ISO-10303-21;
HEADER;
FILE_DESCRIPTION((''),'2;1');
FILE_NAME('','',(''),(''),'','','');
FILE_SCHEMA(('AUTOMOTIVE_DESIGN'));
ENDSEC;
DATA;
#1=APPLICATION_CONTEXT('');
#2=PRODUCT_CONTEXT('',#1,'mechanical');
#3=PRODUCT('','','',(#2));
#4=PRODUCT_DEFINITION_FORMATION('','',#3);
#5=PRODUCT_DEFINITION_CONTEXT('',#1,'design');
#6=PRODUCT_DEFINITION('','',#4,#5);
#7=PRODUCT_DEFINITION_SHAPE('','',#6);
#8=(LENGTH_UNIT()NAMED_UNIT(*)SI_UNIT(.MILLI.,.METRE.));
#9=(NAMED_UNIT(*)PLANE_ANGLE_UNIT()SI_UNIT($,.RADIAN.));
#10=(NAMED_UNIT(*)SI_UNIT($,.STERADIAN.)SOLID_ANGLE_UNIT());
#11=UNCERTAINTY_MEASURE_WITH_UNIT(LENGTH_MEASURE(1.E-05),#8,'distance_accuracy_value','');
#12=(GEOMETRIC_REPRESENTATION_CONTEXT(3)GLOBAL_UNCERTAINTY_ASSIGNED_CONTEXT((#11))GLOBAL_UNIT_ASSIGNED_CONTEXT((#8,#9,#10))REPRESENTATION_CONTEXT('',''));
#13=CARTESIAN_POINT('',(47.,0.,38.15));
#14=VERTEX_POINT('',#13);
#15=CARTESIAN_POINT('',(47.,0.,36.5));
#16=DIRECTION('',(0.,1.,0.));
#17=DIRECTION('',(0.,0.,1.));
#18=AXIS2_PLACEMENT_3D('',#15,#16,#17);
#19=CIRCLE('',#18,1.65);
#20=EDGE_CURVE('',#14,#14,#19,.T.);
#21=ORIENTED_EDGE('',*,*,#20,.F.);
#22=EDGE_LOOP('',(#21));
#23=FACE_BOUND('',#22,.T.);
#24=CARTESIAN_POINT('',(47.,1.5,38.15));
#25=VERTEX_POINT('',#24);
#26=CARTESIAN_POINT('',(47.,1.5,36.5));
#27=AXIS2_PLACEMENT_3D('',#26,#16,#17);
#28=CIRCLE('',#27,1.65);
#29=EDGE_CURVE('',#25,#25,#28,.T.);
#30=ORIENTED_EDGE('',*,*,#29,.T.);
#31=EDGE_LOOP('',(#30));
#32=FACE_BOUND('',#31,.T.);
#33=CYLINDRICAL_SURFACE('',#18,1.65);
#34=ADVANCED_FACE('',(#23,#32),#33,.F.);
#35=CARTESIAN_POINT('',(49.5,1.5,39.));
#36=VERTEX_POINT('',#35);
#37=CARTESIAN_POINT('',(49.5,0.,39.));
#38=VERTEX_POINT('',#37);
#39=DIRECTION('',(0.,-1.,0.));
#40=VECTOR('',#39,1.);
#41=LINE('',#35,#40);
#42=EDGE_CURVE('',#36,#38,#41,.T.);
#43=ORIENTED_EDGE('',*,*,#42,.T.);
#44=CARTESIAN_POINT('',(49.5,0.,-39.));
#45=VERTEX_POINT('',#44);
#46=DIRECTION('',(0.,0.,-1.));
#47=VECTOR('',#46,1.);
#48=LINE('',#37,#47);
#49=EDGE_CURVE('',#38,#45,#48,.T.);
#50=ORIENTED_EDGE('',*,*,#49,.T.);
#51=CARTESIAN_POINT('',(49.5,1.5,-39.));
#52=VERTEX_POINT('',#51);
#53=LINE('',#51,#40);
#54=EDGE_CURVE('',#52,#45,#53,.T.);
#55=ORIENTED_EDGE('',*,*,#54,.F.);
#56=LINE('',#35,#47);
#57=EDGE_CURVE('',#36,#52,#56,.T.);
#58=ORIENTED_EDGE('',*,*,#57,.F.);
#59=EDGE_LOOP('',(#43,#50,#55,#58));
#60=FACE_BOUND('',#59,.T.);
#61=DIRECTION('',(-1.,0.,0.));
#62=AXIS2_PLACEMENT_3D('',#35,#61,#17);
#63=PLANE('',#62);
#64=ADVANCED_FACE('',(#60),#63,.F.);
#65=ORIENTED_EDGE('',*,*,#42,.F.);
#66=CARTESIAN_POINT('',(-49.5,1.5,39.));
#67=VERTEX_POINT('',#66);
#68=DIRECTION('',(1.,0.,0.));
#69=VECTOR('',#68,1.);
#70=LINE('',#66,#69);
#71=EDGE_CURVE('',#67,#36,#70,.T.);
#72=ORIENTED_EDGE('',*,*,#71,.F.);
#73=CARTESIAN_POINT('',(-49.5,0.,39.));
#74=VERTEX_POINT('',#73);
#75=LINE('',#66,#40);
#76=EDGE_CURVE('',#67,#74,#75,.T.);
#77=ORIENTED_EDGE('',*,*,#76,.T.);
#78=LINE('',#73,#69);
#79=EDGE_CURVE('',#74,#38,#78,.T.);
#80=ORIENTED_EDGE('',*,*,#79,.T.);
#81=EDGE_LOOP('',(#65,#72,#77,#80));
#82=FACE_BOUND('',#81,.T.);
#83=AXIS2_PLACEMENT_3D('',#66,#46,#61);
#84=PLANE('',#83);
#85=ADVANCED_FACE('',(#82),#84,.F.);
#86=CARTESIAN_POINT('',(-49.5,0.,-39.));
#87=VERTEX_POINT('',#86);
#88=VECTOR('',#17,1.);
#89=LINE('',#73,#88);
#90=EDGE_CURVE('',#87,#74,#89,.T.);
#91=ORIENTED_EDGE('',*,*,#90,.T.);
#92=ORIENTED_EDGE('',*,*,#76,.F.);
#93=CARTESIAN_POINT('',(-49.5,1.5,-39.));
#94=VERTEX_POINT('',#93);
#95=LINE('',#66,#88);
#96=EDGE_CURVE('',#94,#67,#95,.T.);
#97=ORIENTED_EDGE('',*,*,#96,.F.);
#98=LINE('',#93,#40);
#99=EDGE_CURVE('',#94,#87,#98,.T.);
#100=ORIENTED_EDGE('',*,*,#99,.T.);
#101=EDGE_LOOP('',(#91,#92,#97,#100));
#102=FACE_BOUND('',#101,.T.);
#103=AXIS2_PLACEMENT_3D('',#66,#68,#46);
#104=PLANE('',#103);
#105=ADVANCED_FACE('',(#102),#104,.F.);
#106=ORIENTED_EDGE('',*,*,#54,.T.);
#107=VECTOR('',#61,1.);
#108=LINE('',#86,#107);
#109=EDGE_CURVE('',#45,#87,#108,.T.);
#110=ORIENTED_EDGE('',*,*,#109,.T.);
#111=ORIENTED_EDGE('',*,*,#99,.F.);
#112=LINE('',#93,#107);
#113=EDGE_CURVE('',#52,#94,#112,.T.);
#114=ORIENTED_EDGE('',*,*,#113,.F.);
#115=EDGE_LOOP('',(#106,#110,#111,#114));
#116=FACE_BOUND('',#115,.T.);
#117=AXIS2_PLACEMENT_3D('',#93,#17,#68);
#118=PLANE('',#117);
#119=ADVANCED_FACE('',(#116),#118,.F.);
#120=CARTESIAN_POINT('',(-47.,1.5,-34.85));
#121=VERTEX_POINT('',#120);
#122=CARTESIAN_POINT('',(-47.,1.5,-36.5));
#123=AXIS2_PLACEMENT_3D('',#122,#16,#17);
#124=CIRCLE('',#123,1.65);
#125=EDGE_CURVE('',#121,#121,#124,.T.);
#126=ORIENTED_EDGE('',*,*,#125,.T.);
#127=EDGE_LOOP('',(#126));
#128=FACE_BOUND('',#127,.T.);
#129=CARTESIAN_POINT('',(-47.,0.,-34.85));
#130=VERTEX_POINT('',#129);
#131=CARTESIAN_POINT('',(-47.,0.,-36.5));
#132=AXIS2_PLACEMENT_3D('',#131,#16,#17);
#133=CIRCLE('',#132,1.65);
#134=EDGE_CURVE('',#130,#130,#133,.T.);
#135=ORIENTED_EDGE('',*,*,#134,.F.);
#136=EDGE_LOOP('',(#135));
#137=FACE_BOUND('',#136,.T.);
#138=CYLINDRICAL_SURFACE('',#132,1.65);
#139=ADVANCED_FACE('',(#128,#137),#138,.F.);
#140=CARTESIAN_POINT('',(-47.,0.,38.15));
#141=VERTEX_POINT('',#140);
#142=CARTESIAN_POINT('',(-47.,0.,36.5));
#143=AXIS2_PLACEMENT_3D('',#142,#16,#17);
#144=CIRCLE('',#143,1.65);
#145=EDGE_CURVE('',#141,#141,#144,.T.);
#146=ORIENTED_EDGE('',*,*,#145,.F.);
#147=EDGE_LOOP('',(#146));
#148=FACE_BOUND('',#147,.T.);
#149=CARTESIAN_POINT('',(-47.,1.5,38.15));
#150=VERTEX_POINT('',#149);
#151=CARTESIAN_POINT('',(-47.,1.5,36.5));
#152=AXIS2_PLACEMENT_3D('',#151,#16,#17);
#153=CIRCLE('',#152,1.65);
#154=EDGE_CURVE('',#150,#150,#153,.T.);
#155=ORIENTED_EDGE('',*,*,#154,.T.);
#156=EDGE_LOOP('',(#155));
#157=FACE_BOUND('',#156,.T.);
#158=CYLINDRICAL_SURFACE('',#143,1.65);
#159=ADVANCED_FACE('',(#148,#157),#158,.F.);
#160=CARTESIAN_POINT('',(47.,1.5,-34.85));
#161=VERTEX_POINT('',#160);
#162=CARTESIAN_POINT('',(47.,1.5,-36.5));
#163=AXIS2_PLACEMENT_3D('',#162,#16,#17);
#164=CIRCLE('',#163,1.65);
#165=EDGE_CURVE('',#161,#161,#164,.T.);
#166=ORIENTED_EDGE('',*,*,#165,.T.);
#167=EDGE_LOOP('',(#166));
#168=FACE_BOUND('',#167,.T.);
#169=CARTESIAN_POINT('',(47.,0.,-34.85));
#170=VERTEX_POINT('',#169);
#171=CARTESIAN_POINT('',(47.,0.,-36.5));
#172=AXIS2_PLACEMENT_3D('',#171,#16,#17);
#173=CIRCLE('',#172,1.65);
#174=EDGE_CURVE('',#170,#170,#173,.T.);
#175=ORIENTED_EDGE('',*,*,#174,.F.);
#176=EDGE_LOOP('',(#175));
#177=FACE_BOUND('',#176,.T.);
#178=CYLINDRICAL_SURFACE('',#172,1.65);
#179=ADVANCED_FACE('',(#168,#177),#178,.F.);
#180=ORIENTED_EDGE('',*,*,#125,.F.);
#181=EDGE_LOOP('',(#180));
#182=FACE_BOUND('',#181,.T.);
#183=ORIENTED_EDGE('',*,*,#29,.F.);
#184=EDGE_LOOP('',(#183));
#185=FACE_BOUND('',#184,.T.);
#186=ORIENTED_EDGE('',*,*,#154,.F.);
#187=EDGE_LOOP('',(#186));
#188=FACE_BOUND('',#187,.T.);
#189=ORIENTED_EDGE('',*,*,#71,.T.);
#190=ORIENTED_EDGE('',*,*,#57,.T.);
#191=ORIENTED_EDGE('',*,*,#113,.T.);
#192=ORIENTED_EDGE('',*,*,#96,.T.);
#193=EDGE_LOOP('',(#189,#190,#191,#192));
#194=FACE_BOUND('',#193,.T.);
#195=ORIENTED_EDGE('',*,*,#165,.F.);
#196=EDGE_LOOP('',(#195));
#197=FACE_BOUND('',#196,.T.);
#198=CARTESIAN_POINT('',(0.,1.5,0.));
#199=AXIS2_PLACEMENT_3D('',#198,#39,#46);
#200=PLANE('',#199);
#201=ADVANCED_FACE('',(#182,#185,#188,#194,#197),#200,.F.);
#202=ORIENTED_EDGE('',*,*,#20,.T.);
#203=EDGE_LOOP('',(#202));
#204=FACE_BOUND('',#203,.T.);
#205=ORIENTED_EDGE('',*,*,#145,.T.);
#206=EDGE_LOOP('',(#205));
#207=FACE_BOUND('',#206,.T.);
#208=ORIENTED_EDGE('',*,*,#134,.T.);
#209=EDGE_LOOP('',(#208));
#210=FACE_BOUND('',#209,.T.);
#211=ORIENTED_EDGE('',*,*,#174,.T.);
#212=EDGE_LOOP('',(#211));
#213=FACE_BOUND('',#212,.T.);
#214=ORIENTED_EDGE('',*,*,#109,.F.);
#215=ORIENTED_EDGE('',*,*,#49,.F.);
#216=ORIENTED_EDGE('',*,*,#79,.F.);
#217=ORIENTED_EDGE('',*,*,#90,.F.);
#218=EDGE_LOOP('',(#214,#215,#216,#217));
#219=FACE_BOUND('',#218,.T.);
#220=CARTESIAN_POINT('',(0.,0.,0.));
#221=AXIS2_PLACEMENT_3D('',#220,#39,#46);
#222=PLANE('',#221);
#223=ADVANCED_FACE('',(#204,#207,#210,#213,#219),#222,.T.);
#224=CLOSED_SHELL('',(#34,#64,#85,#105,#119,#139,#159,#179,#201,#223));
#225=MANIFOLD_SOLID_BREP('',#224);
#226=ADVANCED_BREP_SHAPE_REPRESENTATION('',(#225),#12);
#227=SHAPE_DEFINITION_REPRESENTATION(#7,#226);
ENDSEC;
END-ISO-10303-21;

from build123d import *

# Parameters (mm, degrees)
SKETCH1_W           = 99
SKETCH1_H           = 78
BOSS_EXTRUDE1_DEPTH = 1.5
SKETCH2_R           = 1.65
CUT_EXTRUDE1_DEPTH  = 64.035704168


with BuildPart() as part:
    # Sketch1 → Boss-Extrude1 (new body)
    with BuildSketch(Plane(origin=(0, 0, 0), x_dir=(1, 0, 0), z_dir=(0, 1, 0))):
        Rectangle(SKETCH1_W, SKETCH1_H)
    extrude(amount=BOSS_EXTRUDE1_DEPTH)

    # Sketch2 → Cut-Extrude1 (cut, through all)
    with BuildSketch(Plane(origin=(0, 1.5, 0), x_dir=(1, 0, 0), z_dir=(0, 1, 0))):
        with Locations(Location((-47, 36.5, 0), (0, 0, 270))):
            Circle(SKETCH2_R)
        with Locations(Location((47, 36.5, 0), (0, 0, 270))):
            Circle(SKETCH2_R)
        with Locations(Location((47, -36.5, 0), (0, 0, 270))):
            Circle(SKETCH2_R)
        with Locations(Location((-47, -36.5, 0), (0, 0, 270))):
            Circle(SKETCH2_R)
    extrude(amount=-CUT_EXTRUDE1_DEPTH, mode=Mode.SUBTRACT)


solid = part.part
